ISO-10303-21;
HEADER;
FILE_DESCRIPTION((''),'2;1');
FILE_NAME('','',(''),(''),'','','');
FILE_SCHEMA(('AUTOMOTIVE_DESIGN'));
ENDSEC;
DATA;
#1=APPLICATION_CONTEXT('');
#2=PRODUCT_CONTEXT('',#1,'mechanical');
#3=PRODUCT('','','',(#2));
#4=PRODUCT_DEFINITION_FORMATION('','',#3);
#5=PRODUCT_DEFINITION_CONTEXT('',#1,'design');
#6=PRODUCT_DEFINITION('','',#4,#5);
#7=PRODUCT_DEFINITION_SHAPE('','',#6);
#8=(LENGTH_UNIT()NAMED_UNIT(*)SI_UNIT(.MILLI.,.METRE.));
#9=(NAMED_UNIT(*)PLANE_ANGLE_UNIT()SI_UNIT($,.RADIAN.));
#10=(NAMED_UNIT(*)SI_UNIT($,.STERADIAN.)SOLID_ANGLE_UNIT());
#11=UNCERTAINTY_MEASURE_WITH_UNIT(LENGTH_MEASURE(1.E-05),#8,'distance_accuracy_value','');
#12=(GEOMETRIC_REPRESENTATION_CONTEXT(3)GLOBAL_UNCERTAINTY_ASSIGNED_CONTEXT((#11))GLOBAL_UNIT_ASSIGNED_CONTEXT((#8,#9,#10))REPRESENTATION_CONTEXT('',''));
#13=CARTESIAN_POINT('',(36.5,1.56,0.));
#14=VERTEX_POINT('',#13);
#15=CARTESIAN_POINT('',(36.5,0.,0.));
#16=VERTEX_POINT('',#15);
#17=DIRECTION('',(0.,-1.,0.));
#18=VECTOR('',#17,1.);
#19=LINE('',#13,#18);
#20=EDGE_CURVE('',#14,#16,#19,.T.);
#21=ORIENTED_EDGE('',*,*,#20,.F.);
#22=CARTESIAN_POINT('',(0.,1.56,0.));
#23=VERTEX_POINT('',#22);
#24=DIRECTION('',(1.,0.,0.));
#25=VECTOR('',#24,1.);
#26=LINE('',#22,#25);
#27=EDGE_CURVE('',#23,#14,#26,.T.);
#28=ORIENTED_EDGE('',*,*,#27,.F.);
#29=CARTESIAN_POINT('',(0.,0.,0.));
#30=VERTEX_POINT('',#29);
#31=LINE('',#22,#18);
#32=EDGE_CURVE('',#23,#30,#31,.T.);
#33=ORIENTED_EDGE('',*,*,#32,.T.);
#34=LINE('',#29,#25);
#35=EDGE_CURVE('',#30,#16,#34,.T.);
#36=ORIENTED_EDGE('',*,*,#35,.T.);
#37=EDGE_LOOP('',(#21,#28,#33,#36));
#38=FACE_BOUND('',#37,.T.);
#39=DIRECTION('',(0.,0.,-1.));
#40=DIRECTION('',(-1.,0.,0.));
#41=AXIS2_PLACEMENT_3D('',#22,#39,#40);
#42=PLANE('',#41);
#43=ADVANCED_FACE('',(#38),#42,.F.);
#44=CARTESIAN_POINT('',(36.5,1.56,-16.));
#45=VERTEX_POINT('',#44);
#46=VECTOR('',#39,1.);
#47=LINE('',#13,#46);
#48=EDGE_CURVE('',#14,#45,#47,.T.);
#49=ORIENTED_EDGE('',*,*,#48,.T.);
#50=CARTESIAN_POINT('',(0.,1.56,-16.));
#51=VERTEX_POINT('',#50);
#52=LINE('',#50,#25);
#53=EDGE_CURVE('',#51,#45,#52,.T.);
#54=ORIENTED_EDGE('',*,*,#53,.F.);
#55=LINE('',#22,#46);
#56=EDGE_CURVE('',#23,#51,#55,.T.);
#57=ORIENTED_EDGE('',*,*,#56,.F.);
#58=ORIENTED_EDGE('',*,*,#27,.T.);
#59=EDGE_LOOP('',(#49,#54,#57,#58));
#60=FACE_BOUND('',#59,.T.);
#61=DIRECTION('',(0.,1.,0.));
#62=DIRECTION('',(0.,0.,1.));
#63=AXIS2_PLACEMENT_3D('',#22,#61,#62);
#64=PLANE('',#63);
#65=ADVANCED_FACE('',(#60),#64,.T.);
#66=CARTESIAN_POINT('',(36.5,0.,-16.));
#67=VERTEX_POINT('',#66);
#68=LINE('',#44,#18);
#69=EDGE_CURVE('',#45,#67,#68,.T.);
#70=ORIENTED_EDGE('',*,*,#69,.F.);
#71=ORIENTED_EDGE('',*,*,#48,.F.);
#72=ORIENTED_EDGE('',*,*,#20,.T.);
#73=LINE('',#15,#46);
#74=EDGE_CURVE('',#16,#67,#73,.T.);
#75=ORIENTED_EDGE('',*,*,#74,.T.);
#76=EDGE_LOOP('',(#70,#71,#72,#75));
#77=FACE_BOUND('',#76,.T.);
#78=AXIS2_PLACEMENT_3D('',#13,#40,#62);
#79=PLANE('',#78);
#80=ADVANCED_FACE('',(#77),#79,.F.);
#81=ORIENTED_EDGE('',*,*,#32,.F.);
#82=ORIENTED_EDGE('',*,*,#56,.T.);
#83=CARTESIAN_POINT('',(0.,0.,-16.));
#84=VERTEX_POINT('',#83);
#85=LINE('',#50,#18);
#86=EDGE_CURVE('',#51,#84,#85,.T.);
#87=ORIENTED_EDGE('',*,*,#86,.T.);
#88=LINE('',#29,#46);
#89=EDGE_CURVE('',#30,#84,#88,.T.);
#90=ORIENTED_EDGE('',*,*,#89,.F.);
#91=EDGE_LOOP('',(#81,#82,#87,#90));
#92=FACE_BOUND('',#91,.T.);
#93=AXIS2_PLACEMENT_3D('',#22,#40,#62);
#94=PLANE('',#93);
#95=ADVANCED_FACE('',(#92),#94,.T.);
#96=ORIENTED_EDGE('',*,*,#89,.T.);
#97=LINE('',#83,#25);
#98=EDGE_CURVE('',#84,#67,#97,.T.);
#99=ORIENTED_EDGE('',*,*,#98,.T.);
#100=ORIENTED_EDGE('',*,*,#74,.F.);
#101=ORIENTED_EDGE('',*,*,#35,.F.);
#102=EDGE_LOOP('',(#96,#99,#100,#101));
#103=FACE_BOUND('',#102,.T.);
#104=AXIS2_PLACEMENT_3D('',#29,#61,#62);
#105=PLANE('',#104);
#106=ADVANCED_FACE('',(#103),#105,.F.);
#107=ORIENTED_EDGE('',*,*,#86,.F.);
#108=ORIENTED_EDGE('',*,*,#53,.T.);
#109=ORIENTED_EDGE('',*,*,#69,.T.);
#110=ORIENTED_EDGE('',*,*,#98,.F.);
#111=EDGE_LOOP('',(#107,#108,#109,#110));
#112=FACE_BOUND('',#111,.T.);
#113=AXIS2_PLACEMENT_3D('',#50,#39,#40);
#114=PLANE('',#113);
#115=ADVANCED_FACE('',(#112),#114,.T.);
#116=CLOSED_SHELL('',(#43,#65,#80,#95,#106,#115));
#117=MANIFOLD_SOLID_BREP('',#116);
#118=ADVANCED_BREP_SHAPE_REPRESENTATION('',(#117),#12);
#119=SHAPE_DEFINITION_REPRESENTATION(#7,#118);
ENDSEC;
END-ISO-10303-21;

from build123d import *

# Parameters (mm, degrees)
SKETCH1_W           = 36.5
SKETCH1_H           = 16
BOSS_EXTRUDE1_DEPTH = 1.56


with BuildPart() as part:
    # Sketch1 → Boss-Extrude1 (new body)
    with BuildSketch(Plane(origin=(0, 0, 0), x_dir=(1, 0, 0), z_dir=(0, 1, 0))):
        with Locations((18.25, 8)):
            Rectangle(SKETCH1_W, SKETCH1_H)
    extrude(amount=BOSS_EXTRUDE1_DEPTH)


solid = part.part
